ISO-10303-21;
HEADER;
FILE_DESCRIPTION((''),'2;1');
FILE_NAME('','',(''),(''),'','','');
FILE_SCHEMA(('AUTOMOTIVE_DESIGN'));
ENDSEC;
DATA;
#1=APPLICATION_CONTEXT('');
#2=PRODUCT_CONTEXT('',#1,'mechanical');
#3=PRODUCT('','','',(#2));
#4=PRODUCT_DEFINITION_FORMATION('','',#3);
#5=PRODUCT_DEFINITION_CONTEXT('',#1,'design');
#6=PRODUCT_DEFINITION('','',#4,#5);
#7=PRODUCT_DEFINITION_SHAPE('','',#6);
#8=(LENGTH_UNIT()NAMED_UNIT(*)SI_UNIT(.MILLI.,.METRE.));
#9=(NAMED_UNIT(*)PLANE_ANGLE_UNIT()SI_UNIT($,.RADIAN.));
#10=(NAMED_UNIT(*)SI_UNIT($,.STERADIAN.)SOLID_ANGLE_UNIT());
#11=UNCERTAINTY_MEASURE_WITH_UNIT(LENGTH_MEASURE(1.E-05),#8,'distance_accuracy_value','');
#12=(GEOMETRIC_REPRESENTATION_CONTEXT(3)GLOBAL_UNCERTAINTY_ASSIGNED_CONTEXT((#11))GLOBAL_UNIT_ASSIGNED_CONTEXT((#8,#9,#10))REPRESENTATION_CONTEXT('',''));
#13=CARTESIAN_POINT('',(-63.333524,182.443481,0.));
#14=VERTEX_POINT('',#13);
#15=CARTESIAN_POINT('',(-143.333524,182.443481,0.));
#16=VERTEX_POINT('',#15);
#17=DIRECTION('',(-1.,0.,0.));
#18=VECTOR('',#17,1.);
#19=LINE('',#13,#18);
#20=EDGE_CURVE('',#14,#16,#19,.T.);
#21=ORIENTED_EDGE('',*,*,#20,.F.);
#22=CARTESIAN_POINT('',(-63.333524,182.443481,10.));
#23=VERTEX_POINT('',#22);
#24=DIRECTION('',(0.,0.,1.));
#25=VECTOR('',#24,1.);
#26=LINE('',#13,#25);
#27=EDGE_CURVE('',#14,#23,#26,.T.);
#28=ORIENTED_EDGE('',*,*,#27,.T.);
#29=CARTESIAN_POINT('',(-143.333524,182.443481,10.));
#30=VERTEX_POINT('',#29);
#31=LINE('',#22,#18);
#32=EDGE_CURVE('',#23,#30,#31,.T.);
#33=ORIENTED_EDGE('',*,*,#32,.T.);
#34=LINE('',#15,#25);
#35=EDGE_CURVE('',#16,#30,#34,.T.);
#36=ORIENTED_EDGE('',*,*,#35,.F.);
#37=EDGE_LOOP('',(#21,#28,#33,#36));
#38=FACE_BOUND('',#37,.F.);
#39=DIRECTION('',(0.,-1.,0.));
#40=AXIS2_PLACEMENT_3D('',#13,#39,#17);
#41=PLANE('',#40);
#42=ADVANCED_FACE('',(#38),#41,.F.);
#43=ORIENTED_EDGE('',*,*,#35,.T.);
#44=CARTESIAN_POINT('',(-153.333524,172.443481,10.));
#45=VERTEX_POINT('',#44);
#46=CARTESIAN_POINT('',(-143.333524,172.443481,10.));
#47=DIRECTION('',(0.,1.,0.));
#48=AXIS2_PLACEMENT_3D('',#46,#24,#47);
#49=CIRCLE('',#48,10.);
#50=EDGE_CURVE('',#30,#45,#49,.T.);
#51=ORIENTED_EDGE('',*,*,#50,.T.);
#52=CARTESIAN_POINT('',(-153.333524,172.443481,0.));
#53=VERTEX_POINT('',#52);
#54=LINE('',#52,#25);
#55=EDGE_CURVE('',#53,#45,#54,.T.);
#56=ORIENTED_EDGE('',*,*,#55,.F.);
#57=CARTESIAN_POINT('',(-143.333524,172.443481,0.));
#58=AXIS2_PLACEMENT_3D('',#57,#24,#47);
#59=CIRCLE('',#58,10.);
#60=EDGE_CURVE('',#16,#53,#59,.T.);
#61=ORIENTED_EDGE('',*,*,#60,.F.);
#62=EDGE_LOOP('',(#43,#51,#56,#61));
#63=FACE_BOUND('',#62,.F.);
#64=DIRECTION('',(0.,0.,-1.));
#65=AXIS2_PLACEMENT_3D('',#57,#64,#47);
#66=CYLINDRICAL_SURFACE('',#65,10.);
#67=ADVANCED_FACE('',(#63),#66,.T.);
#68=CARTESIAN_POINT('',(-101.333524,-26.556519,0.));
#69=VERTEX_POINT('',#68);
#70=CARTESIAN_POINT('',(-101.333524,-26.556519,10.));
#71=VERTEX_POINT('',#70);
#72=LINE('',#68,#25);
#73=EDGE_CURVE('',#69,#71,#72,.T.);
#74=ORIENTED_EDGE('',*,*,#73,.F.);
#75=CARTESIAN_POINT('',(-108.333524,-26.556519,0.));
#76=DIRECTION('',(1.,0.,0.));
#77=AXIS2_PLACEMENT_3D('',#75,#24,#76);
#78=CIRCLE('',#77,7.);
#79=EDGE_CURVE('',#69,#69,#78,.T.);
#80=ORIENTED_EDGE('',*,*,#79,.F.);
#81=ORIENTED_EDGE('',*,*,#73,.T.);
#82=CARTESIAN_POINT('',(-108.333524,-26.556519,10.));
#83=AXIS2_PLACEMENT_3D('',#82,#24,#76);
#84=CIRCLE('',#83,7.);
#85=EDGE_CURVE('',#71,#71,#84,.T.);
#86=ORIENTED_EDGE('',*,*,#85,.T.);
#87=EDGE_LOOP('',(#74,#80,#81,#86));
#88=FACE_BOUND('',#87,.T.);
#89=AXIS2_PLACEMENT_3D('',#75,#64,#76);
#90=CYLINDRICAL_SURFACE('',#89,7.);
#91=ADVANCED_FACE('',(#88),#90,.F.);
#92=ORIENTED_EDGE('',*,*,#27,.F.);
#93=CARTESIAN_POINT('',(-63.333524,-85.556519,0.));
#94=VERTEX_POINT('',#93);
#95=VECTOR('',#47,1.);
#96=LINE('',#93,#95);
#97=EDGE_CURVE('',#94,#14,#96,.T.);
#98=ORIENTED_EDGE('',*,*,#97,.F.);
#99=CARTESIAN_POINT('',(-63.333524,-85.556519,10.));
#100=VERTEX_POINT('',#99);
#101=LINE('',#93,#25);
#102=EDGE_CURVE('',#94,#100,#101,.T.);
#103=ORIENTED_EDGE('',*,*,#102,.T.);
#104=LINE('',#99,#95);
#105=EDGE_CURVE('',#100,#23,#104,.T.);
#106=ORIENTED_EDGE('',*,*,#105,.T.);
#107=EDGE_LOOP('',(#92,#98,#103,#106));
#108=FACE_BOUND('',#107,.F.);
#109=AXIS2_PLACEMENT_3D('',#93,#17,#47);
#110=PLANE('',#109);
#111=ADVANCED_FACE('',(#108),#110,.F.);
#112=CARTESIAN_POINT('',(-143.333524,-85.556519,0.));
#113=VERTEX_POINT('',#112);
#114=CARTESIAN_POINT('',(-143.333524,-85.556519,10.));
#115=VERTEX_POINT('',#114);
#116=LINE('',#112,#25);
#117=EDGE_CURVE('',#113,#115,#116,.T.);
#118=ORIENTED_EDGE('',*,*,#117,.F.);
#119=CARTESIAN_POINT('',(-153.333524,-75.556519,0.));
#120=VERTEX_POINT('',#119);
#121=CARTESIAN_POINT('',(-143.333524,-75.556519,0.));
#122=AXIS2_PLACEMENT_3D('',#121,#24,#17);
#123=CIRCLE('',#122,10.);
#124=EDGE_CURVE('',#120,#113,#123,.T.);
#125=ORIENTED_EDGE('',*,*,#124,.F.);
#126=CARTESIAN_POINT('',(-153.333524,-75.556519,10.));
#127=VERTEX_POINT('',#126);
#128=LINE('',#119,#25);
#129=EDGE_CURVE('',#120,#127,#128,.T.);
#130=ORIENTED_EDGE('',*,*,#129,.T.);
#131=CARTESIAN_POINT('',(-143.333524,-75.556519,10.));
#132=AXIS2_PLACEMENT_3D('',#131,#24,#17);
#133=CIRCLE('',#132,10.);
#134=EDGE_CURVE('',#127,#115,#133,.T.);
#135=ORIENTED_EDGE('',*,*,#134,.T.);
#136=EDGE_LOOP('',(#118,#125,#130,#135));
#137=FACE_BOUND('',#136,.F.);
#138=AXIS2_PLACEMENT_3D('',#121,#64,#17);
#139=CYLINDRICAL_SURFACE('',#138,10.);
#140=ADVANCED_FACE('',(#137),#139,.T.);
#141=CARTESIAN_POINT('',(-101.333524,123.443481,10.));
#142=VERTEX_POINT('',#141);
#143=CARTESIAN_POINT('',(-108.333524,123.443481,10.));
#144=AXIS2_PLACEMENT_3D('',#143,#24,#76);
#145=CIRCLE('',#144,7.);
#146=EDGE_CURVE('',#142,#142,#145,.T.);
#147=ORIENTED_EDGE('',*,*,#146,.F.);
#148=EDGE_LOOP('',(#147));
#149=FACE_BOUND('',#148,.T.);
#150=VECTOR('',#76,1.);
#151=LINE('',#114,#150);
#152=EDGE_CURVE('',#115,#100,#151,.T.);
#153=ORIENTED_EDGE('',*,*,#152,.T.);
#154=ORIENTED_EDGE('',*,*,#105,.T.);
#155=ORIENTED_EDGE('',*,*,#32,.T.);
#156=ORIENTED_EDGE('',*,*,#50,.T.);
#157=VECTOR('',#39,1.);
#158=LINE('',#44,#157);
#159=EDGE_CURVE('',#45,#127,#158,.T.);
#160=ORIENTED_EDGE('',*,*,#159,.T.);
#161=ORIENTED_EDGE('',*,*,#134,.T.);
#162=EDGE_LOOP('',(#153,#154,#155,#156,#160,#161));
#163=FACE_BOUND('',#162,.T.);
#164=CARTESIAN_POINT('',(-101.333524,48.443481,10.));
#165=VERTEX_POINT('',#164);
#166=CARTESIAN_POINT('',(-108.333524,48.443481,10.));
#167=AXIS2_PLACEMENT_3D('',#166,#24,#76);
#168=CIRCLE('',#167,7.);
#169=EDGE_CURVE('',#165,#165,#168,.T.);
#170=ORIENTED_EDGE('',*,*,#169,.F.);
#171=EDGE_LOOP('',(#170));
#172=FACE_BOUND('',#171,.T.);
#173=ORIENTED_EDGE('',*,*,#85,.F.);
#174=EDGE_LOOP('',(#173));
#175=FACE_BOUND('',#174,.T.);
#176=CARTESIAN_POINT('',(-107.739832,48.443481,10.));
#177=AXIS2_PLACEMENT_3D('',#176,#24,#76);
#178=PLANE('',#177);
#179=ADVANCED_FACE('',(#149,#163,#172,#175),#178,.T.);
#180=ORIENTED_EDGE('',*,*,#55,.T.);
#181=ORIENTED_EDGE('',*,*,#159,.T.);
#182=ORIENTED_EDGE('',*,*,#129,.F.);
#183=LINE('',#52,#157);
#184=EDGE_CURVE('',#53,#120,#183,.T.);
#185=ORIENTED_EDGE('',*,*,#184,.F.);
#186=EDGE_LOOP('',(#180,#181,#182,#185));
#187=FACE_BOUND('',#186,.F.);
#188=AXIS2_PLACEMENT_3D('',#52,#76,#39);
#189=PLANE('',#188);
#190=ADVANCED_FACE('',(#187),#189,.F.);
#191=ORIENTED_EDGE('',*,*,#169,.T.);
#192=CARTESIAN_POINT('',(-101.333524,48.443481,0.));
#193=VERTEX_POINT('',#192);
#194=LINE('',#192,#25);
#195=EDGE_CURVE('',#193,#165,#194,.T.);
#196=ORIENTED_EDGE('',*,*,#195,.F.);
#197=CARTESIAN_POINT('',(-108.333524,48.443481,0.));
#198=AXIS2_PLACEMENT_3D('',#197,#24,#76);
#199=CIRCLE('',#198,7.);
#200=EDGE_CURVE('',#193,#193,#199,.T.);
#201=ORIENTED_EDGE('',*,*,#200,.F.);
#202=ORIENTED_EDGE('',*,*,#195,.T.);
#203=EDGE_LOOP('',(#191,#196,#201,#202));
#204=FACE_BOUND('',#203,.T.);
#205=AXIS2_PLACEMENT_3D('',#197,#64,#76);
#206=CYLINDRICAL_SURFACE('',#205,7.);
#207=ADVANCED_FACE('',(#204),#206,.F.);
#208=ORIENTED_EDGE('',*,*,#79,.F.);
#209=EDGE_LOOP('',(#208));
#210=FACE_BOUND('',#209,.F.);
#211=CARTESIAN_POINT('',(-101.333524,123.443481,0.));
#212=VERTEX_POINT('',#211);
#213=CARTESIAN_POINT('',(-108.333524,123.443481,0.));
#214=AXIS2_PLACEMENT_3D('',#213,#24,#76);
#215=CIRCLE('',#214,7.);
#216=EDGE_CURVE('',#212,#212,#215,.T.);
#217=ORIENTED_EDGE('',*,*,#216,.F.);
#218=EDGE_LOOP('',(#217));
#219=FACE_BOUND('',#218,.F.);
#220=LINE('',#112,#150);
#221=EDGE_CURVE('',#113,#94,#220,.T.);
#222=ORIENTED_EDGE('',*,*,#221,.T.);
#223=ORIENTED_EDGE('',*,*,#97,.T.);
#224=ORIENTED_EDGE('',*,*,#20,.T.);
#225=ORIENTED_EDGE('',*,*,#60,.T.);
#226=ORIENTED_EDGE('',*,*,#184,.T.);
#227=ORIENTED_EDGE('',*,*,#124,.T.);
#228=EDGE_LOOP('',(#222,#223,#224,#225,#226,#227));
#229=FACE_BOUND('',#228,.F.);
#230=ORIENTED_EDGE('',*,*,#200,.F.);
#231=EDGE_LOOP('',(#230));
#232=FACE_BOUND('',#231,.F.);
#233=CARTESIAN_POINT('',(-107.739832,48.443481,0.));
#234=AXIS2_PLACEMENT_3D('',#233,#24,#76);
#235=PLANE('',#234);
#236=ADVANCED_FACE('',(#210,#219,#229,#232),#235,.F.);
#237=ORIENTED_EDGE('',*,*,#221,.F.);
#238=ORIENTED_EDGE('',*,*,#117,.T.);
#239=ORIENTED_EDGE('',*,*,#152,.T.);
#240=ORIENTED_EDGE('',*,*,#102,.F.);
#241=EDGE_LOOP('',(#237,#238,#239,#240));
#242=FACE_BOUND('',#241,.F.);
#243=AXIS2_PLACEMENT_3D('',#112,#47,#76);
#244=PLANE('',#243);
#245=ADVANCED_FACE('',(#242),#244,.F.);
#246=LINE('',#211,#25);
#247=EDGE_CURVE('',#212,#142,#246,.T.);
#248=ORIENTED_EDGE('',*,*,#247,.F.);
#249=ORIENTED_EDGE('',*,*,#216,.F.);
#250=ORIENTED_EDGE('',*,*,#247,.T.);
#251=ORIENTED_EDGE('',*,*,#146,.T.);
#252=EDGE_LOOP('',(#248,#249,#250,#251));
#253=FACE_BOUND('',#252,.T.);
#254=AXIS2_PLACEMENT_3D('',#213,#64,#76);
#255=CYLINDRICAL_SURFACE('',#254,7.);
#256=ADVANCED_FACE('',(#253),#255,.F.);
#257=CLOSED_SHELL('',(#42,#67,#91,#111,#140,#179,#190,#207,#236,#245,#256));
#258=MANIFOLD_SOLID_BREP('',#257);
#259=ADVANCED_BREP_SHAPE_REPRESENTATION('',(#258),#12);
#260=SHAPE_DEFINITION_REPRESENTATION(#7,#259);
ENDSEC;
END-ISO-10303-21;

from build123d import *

# Parameters (mm, degrees)
SKETCH1_R           = 7
BOSS_EXTRUDE1_DEPTH = 10


with BuildPart() as part:
    # Sketch1 → Boss-Extrude1 (new body)
    with BuildSketch(Plane.XY):
        with BuildLine():
            Line((-63.333523535, 182.443481279), (-143.333523535, 182.443481279))
            ThreePointArc((-143.333523535, 182.443481279), (-150.404591346, 179.514549091), (-153.333523535, 172.443481279))
            Line((-153.333523535, 172.443481279), (-153.333523535, -75.556518721))
            ThreePointArc((-153.333523535, -75.556518721), (-150.404591346, -82.627586533), (-143.333523535, -85.556518721))
            Line((-143.333523535, -85.556518721), (-63.333523535, -85.556518721))
            Line((-63.333523535, -85.556518721), (-63.333523535, 182.443481279))
        make_face()
        with Locations((-108.333523535, 48.443481279)):
            Circle(SKETCH1_R, mode=Mode.SUBTRACT)
        with Locations((-108.333523535, 123.443481279)):
            Circle(SKETCH1_R, mode=Mode.SUBTRACT)
        with Locations((-108.333523535, -26.556518721)):
            Circle(SKETCH1_R, mode=Mode.SUBTRACT)
    extrude(amount=BOSS_EXTRUDE1_DEPTH)


solid = part.part
